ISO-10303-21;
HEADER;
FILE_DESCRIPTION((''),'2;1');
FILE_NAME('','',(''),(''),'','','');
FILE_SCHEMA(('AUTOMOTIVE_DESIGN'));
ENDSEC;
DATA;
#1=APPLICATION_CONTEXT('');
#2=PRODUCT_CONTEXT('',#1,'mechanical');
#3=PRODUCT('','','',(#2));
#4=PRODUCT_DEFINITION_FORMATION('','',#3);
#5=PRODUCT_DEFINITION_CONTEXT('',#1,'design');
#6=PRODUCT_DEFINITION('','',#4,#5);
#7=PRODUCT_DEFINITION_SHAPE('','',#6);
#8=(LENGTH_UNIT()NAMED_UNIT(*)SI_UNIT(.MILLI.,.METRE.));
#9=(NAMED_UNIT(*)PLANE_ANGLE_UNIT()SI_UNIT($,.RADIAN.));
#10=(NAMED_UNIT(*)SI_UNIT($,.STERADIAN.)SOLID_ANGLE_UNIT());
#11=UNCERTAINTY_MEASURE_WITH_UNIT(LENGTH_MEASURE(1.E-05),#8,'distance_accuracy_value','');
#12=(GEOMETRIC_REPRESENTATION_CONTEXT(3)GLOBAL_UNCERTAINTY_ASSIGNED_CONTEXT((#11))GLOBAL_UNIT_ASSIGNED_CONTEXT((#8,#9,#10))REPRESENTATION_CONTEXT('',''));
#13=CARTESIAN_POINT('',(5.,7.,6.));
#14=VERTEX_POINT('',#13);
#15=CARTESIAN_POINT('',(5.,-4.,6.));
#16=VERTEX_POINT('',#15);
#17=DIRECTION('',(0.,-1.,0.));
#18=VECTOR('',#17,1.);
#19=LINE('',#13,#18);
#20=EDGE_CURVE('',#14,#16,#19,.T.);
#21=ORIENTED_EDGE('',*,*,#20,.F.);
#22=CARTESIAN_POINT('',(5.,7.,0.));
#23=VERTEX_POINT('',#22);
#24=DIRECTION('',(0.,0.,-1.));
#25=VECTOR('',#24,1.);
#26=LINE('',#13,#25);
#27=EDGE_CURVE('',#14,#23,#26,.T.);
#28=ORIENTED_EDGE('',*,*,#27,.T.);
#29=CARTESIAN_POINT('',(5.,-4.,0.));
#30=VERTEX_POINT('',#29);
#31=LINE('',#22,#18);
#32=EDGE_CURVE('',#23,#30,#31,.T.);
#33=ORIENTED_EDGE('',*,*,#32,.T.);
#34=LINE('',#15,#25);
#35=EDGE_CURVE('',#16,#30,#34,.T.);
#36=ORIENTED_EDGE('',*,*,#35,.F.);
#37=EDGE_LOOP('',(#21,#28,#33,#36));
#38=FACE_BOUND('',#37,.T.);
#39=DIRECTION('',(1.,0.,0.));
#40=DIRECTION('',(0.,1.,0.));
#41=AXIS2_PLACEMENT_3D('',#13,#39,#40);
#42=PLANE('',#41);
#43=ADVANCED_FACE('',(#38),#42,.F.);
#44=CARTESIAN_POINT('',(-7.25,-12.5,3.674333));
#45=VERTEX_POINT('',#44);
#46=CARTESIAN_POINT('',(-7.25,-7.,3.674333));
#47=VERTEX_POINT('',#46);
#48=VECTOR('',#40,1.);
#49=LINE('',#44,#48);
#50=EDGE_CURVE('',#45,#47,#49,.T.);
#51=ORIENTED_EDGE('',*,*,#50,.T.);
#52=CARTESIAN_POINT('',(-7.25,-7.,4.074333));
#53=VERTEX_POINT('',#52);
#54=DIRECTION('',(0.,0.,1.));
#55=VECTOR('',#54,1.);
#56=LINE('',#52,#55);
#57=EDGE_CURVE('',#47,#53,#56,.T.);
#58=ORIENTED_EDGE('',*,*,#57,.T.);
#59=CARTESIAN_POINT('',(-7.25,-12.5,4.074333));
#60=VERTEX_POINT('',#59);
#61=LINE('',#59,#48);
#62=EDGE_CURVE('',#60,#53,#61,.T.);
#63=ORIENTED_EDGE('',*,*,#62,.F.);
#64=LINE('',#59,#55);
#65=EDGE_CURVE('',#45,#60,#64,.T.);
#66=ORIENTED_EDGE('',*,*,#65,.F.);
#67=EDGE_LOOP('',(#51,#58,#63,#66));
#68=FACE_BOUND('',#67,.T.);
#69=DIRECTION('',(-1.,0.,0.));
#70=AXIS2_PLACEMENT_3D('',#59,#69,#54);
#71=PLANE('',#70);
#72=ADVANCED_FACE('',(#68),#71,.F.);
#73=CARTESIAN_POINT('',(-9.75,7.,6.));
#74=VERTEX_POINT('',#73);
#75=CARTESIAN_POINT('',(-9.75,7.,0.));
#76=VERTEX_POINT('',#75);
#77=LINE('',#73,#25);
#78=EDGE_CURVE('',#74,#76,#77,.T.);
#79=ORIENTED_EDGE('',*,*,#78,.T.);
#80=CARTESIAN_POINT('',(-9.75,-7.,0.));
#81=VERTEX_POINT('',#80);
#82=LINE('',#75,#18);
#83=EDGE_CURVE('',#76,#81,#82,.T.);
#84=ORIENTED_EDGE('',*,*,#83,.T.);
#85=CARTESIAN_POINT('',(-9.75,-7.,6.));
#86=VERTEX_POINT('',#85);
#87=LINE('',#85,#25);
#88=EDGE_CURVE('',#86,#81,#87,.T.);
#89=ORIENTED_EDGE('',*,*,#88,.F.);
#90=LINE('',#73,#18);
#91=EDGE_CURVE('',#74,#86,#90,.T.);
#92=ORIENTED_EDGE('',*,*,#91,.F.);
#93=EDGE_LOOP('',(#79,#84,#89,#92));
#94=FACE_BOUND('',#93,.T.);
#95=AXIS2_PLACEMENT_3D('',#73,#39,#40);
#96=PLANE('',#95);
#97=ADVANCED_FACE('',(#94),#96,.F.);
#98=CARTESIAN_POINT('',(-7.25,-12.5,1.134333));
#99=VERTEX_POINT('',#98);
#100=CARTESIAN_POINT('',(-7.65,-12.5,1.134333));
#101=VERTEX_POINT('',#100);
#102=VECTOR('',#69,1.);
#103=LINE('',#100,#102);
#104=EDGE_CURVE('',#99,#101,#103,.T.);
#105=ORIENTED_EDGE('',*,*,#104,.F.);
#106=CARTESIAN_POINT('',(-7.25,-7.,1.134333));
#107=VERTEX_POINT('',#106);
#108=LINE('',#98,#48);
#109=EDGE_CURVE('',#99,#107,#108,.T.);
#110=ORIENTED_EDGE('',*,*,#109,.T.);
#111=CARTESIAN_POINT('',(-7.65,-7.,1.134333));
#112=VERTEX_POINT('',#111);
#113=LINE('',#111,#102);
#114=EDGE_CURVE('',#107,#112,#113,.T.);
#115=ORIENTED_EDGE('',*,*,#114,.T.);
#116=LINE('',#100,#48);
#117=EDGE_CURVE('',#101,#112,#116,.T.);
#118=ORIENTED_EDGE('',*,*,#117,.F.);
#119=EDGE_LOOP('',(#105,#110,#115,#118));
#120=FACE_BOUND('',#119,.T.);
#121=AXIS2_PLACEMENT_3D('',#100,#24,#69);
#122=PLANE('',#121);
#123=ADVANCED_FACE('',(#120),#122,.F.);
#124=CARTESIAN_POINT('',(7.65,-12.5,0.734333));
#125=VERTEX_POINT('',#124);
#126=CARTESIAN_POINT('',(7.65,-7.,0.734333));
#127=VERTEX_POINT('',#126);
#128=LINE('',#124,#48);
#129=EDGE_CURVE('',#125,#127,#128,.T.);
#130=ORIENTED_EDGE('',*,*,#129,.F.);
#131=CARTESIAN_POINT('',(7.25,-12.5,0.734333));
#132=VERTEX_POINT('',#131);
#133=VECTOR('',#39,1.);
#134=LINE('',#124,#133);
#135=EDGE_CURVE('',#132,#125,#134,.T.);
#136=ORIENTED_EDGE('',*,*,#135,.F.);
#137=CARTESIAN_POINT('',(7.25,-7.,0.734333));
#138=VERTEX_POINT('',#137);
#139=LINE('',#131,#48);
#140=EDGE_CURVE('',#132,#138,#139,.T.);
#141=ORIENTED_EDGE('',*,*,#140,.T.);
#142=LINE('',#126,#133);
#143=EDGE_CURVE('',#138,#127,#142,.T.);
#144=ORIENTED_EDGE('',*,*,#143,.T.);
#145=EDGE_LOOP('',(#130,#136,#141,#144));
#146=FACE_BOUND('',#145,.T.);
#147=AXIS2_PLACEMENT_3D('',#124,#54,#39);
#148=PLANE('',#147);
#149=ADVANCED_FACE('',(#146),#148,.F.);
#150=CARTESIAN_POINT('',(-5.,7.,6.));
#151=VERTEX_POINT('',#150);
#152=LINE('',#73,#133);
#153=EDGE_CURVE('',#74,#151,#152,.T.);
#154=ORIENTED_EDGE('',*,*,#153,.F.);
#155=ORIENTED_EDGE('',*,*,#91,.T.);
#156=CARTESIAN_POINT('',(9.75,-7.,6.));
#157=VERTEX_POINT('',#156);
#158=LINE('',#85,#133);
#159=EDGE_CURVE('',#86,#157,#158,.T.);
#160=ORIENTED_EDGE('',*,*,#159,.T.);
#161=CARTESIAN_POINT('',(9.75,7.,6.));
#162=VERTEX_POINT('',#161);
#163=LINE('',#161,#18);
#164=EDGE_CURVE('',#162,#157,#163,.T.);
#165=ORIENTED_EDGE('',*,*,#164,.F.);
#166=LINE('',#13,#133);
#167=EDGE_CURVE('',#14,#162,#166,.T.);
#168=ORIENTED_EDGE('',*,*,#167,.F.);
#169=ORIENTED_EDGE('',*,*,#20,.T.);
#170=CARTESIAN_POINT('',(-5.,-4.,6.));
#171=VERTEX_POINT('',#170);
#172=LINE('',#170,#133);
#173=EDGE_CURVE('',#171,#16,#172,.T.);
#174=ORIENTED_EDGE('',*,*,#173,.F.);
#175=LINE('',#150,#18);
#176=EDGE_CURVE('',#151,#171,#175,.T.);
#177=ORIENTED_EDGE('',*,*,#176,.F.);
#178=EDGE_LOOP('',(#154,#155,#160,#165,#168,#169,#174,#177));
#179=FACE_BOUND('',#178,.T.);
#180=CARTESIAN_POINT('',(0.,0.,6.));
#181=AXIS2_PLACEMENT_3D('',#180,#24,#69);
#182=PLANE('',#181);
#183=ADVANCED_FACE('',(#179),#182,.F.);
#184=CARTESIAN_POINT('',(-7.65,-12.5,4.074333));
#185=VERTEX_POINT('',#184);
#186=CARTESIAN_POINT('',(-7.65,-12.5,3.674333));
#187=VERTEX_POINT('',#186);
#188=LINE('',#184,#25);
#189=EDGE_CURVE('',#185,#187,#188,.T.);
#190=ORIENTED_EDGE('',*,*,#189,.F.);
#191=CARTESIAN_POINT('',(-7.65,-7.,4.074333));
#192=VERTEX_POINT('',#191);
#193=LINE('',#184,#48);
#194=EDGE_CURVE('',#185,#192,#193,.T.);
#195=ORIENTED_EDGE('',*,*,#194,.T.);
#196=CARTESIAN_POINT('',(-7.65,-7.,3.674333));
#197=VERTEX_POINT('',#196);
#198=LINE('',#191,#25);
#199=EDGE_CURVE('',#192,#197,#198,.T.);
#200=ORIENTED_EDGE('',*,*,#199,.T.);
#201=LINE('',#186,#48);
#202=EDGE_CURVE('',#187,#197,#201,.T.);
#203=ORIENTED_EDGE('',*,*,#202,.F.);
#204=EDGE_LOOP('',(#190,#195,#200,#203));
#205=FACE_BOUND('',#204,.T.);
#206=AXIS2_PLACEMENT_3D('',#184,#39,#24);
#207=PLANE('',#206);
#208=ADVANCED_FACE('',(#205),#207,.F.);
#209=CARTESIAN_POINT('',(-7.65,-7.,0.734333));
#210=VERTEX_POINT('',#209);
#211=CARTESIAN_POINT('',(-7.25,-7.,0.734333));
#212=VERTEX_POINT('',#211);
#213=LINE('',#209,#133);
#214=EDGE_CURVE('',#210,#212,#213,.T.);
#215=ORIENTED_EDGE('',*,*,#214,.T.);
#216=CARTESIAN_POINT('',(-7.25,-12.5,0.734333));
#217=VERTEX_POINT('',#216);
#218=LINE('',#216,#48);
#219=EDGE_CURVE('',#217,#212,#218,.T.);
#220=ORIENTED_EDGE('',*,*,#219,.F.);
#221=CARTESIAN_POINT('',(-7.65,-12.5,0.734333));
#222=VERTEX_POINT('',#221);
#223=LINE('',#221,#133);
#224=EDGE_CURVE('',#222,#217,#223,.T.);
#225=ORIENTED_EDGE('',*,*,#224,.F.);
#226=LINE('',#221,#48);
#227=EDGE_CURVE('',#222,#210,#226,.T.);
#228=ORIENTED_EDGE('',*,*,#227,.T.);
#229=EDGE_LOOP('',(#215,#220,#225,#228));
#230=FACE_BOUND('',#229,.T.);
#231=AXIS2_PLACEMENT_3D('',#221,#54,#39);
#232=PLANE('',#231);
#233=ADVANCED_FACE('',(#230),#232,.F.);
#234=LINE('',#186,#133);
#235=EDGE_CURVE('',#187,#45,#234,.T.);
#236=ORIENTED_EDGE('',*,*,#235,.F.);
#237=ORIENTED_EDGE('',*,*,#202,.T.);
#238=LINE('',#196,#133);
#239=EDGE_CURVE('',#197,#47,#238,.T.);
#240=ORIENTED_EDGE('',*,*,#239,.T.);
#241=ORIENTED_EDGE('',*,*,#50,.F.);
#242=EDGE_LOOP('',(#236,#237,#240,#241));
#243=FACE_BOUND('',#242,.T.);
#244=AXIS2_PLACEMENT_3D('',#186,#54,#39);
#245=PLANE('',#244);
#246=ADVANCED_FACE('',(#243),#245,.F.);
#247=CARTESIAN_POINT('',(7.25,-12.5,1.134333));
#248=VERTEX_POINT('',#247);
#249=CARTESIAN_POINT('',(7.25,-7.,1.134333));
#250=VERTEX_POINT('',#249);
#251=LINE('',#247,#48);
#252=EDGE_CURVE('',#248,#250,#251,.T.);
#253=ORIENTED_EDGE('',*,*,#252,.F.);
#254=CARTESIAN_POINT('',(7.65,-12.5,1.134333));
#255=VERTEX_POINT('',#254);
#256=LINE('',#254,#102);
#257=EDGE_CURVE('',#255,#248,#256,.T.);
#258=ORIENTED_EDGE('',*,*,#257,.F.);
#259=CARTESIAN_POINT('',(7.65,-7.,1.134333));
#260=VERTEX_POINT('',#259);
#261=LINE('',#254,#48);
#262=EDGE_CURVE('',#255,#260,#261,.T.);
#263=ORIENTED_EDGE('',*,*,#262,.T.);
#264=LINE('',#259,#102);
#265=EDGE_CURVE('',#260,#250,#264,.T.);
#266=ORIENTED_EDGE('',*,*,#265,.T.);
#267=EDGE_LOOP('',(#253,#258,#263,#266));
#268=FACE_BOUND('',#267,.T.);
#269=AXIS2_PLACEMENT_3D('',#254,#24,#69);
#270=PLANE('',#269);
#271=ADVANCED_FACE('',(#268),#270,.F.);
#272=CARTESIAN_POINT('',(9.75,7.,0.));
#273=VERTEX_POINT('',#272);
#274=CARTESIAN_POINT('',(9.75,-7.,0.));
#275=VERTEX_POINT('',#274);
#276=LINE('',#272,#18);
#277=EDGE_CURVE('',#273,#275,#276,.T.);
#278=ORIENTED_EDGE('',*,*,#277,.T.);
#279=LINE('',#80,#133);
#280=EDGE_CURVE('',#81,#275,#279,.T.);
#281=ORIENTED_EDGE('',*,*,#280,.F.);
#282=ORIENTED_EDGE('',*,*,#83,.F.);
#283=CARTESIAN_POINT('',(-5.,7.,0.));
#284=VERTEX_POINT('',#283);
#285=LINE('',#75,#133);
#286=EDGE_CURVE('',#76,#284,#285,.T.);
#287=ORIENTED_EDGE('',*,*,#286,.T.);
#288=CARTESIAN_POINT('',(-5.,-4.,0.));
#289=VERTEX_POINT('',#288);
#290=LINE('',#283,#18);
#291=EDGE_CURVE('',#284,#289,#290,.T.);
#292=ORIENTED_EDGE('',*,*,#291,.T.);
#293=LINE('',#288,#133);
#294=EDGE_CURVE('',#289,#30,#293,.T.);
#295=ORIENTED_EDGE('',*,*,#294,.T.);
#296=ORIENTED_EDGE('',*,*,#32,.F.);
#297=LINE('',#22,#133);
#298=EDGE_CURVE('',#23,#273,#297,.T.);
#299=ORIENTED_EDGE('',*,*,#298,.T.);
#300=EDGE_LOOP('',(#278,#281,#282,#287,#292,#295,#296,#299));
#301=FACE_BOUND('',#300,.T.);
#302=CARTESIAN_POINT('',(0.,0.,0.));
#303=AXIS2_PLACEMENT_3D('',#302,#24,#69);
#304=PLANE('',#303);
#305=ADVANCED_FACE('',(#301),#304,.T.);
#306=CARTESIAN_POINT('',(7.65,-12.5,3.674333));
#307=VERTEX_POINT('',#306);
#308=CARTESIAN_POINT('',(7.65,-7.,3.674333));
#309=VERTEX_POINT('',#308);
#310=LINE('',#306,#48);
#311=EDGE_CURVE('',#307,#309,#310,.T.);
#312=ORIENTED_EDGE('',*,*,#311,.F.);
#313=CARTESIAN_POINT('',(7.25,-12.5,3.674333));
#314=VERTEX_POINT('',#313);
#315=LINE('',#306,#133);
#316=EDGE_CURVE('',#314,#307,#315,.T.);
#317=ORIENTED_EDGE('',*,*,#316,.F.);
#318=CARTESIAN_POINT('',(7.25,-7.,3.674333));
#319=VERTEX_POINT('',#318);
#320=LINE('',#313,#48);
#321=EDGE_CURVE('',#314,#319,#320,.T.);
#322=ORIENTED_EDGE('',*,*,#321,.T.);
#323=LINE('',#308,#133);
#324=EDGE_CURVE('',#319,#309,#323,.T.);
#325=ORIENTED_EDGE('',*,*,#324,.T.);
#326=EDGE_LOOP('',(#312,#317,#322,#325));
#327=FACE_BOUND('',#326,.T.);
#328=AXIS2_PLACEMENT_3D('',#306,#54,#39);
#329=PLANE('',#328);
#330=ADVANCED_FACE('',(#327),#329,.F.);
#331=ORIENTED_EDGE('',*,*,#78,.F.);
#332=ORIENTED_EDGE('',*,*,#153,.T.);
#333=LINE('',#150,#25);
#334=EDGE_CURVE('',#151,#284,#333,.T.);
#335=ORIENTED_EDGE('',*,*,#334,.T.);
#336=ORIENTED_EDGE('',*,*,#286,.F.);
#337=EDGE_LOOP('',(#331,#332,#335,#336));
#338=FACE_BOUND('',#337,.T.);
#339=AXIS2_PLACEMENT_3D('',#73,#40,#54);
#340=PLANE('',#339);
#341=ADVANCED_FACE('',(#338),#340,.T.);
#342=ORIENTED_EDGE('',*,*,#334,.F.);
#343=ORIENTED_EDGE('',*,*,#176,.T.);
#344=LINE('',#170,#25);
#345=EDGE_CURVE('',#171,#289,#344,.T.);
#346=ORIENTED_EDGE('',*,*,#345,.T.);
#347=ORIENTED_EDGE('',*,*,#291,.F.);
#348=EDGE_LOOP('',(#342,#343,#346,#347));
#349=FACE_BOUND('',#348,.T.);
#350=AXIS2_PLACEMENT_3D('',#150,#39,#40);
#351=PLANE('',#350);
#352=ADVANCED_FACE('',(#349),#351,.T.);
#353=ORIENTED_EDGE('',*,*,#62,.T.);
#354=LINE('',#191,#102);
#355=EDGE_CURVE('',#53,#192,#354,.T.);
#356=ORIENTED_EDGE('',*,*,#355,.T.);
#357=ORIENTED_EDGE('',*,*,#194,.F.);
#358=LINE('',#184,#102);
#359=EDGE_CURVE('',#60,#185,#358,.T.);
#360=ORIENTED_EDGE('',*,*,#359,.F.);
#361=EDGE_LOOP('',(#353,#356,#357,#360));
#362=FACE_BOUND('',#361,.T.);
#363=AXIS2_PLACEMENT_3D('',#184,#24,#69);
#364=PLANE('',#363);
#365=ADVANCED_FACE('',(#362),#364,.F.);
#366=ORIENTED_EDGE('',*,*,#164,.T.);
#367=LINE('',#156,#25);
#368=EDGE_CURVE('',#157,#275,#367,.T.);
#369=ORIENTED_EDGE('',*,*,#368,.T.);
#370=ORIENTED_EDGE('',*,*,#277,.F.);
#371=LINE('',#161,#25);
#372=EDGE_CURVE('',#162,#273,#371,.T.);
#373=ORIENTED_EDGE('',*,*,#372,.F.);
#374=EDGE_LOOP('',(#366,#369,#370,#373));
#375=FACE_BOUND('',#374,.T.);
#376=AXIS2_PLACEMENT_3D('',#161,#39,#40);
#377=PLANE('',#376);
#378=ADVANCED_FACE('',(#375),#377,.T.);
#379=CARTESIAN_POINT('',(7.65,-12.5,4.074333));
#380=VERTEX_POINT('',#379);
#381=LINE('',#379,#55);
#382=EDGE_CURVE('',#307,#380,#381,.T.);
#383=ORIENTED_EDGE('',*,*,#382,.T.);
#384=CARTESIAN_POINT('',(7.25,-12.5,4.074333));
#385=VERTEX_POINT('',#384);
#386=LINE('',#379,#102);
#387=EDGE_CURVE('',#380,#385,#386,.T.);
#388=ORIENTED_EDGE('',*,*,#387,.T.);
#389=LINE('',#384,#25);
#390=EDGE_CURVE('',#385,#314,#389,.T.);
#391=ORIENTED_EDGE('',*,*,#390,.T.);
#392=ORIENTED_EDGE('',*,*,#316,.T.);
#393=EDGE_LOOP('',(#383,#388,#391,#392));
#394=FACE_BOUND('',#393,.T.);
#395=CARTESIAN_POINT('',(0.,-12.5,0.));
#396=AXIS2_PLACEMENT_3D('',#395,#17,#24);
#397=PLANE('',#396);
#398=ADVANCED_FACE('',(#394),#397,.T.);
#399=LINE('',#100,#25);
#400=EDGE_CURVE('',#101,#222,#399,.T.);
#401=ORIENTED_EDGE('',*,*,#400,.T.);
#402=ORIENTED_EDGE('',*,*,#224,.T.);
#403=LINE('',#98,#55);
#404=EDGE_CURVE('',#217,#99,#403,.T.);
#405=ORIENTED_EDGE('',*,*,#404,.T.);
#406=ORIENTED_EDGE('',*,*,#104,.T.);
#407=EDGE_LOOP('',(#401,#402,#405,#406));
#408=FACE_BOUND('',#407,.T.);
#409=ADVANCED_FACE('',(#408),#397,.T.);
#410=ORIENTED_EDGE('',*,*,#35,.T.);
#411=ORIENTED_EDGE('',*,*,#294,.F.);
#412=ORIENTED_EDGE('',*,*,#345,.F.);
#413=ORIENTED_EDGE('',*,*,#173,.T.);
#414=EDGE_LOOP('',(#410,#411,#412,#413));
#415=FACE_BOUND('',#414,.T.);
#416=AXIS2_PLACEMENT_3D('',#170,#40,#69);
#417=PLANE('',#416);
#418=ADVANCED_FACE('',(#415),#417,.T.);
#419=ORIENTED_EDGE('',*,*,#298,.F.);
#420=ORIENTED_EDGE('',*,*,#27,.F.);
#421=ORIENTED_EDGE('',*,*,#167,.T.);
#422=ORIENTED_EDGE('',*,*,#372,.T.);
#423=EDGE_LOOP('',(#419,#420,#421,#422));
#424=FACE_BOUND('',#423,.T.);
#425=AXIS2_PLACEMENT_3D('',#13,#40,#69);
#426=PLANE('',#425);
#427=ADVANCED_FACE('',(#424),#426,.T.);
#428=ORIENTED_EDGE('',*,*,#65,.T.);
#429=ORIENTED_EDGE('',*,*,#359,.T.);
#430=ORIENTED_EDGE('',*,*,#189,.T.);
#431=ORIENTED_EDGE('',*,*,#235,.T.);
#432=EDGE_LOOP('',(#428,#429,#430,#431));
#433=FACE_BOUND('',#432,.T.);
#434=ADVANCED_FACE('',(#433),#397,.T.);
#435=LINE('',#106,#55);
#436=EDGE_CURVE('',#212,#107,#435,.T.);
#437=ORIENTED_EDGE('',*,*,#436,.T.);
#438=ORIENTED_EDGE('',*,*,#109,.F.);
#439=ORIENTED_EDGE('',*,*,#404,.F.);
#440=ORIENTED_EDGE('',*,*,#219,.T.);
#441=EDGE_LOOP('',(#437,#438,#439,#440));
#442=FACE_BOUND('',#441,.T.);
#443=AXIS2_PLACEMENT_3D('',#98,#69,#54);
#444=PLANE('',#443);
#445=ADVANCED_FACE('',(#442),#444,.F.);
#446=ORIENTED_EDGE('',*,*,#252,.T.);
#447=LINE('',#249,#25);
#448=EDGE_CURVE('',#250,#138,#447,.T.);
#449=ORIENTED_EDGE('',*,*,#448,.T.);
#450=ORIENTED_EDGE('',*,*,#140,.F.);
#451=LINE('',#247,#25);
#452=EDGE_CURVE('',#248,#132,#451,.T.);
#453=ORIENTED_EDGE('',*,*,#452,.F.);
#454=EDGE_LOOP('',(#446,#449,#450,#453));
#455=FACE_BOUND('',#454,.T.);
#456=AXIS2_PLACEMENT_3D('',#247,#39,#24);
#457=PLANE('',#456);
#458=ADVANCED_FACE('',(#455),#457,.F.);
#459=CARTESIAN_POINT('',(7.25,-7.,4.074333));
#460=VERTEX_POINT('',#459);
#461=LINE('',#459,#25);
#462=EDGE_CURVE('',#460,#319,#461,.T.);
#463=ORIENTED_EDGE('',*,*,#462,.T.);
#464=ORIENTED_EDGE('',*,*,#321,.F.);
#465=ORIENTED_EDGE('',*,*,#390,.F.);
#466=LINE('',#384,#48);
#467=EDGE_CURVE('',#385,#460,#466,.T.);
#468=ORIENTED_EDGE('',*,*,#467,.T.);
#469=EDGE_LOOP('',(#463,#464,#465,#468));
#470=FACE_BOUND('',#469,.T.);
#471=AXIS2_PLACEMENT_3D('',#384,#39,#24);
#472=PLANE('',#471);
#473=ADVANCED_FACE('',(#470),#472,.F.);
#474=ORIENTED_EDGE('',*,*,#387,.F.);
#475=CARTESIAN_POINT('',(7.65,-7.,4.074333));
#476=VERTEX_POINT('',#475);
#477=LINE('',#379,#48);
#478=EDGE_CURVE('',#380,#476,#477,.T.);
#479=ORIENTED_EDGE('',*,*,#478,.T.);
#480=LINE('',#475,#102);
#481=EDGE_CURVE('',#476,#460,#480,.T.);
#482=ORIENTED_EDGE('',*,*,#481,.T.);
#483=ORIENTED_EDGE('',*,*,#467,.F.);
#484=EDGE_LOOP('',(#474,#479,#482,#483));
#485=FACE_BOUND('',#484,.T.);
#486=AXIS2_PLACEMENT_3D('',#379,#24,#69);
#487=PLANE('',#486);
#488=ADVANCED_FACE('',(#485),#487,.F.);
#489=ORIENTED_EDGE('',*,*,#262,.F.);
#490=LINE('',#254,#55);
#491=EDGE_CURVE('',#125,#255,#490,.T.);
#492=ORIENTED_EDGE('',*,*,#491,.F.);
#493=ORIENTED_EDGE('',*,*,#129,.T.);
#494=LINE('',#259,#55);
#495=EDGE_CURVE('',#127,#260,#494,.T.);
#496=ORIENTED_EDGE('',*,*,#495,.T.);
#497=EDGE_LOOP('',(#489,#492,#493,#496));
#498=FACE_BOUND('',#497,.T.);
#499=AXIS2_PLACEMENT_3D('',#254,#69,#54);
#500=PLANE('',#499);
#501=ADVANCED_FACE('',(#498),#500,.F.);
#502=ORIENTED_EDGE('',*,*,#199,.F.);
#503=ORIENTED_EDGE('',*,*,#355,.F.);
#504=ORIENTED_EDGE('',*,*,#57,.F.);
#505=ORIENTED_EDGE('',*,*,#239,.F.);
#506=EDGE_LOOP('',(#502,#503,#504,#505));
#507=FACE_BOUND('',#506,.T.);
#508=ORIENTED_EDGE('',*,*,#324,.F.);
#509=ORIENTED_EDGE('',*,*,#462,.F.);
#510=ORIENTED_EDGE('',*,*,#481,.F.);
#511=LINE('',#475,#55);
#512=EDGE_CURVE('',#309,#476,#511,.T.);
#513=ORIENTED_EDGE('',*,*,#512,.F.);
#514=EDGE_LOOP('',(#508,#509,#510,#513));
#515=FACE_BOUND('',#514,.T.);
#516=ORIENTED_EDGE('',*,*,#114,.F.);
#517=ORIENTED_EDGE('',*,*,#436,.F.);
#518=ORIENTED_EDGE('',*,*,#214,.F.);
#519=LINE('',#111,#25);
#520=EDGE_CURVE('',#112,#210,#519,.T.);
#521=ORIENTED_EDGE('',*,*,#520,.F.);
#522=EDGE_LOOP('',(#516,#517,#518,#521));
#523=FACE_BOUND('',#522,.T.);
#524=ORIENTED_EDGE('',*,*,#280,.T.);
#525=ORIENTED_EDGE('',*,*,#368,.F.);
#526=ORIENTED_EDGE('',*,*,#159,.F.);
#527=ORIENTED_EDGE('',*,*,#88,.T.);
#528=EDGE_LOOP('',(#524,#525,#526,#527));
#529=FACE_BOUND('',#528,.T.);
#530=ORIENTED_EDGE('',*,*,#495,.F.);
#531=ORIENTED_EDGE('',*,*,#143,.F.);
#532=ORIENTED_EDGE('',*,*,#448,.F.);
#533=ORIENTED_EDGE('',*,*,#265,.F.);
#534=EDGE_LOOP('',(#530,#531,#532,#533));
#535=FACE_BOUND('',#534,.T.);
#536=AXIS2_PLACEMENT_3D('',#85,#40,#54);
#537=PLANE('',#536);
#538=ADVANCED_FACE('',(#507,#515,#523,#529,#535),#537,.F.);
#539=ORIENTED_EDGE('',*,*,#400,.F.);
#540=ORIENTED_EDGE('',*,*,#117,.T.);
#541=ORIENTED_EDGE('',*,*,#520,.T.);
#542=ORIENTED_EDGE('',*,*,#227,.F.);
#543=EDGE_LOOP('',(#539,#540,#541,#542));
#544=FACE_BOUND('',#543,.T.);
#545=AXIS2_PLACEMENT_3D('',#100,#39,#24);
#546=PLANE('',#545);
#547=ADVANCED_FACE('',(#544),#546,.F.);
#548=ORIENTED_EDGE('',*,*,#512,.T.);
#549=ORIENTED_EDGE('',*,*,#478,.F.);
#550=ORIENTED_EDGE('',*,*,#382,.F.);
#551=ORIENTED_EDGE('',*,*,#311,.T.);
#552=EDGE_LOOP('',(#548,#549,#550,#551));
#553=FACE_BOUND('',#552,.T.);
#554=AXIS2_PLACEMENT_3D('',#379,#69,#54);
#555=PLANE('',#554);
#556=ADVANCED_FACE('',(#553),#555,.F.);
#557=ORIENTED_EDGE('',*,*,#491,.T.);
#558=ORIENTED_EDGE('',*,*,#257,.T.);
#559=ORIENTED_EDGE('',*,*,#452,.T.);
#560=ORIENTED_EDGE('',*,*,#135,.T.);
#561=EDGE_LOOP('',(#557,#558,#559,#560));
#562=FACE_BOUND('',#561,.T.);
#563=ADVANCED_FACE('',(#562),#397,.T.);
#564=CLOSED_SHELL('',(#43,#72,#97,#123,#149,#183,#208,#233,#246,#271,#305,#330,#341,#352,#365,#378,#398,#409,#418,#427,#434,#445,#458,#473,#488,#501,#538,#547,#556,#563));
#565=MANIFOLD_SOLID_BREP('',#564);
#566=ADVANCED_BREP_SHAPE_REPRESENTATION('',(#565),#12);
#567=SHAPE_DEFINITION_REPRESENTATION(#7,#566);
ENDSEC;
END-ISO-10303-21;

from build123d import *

# Parameters (mm, degrees)
BOSS_EXTRUDE1_DEPTH = 6
SKETCH2_W           = 0.4
SKETCH2_H           = 0.4
BOSS_EXTRUDE2_DEPTH = 5.5


with BuildPart() as part:
    # Sketch1 → Boss-Extrude1 (new body)
    with BuildSketch(Plane.XY):
        Polygon((-5, 7), (-5, -4), (5, -4), (5, 7), (9.75, 7), (9.75, -7), (-9.75, -7), (-9.75, 7), align=None)
    extrude(amount=BOSS_EXTRUDE1_DEPTH)

    # Sketch2 → Boss-Extrude2 (add)
    with BuildSketch(Plane.XZ.offset(7)):
        with Locations((-7.45, 3.874333009)):
            Rectangle(SKETCH2_W, SKETCH2_H)
        with Locations((7.45, 3.874333009)):
            Rectangle(SKETCH2_W, SKETCH2_H)
        with Locations((7.45, 0.934333009)):
            Rectangle(SKETCH2_W, SKETCH2_H)
        with Locations((-7.45, 0.934333009)):
            Rectangle(SKETCH2_W, SKETCH2_H)
    extrude(amount=BOSS_EXTRUDE2_DEPTH)


solid = part.part
